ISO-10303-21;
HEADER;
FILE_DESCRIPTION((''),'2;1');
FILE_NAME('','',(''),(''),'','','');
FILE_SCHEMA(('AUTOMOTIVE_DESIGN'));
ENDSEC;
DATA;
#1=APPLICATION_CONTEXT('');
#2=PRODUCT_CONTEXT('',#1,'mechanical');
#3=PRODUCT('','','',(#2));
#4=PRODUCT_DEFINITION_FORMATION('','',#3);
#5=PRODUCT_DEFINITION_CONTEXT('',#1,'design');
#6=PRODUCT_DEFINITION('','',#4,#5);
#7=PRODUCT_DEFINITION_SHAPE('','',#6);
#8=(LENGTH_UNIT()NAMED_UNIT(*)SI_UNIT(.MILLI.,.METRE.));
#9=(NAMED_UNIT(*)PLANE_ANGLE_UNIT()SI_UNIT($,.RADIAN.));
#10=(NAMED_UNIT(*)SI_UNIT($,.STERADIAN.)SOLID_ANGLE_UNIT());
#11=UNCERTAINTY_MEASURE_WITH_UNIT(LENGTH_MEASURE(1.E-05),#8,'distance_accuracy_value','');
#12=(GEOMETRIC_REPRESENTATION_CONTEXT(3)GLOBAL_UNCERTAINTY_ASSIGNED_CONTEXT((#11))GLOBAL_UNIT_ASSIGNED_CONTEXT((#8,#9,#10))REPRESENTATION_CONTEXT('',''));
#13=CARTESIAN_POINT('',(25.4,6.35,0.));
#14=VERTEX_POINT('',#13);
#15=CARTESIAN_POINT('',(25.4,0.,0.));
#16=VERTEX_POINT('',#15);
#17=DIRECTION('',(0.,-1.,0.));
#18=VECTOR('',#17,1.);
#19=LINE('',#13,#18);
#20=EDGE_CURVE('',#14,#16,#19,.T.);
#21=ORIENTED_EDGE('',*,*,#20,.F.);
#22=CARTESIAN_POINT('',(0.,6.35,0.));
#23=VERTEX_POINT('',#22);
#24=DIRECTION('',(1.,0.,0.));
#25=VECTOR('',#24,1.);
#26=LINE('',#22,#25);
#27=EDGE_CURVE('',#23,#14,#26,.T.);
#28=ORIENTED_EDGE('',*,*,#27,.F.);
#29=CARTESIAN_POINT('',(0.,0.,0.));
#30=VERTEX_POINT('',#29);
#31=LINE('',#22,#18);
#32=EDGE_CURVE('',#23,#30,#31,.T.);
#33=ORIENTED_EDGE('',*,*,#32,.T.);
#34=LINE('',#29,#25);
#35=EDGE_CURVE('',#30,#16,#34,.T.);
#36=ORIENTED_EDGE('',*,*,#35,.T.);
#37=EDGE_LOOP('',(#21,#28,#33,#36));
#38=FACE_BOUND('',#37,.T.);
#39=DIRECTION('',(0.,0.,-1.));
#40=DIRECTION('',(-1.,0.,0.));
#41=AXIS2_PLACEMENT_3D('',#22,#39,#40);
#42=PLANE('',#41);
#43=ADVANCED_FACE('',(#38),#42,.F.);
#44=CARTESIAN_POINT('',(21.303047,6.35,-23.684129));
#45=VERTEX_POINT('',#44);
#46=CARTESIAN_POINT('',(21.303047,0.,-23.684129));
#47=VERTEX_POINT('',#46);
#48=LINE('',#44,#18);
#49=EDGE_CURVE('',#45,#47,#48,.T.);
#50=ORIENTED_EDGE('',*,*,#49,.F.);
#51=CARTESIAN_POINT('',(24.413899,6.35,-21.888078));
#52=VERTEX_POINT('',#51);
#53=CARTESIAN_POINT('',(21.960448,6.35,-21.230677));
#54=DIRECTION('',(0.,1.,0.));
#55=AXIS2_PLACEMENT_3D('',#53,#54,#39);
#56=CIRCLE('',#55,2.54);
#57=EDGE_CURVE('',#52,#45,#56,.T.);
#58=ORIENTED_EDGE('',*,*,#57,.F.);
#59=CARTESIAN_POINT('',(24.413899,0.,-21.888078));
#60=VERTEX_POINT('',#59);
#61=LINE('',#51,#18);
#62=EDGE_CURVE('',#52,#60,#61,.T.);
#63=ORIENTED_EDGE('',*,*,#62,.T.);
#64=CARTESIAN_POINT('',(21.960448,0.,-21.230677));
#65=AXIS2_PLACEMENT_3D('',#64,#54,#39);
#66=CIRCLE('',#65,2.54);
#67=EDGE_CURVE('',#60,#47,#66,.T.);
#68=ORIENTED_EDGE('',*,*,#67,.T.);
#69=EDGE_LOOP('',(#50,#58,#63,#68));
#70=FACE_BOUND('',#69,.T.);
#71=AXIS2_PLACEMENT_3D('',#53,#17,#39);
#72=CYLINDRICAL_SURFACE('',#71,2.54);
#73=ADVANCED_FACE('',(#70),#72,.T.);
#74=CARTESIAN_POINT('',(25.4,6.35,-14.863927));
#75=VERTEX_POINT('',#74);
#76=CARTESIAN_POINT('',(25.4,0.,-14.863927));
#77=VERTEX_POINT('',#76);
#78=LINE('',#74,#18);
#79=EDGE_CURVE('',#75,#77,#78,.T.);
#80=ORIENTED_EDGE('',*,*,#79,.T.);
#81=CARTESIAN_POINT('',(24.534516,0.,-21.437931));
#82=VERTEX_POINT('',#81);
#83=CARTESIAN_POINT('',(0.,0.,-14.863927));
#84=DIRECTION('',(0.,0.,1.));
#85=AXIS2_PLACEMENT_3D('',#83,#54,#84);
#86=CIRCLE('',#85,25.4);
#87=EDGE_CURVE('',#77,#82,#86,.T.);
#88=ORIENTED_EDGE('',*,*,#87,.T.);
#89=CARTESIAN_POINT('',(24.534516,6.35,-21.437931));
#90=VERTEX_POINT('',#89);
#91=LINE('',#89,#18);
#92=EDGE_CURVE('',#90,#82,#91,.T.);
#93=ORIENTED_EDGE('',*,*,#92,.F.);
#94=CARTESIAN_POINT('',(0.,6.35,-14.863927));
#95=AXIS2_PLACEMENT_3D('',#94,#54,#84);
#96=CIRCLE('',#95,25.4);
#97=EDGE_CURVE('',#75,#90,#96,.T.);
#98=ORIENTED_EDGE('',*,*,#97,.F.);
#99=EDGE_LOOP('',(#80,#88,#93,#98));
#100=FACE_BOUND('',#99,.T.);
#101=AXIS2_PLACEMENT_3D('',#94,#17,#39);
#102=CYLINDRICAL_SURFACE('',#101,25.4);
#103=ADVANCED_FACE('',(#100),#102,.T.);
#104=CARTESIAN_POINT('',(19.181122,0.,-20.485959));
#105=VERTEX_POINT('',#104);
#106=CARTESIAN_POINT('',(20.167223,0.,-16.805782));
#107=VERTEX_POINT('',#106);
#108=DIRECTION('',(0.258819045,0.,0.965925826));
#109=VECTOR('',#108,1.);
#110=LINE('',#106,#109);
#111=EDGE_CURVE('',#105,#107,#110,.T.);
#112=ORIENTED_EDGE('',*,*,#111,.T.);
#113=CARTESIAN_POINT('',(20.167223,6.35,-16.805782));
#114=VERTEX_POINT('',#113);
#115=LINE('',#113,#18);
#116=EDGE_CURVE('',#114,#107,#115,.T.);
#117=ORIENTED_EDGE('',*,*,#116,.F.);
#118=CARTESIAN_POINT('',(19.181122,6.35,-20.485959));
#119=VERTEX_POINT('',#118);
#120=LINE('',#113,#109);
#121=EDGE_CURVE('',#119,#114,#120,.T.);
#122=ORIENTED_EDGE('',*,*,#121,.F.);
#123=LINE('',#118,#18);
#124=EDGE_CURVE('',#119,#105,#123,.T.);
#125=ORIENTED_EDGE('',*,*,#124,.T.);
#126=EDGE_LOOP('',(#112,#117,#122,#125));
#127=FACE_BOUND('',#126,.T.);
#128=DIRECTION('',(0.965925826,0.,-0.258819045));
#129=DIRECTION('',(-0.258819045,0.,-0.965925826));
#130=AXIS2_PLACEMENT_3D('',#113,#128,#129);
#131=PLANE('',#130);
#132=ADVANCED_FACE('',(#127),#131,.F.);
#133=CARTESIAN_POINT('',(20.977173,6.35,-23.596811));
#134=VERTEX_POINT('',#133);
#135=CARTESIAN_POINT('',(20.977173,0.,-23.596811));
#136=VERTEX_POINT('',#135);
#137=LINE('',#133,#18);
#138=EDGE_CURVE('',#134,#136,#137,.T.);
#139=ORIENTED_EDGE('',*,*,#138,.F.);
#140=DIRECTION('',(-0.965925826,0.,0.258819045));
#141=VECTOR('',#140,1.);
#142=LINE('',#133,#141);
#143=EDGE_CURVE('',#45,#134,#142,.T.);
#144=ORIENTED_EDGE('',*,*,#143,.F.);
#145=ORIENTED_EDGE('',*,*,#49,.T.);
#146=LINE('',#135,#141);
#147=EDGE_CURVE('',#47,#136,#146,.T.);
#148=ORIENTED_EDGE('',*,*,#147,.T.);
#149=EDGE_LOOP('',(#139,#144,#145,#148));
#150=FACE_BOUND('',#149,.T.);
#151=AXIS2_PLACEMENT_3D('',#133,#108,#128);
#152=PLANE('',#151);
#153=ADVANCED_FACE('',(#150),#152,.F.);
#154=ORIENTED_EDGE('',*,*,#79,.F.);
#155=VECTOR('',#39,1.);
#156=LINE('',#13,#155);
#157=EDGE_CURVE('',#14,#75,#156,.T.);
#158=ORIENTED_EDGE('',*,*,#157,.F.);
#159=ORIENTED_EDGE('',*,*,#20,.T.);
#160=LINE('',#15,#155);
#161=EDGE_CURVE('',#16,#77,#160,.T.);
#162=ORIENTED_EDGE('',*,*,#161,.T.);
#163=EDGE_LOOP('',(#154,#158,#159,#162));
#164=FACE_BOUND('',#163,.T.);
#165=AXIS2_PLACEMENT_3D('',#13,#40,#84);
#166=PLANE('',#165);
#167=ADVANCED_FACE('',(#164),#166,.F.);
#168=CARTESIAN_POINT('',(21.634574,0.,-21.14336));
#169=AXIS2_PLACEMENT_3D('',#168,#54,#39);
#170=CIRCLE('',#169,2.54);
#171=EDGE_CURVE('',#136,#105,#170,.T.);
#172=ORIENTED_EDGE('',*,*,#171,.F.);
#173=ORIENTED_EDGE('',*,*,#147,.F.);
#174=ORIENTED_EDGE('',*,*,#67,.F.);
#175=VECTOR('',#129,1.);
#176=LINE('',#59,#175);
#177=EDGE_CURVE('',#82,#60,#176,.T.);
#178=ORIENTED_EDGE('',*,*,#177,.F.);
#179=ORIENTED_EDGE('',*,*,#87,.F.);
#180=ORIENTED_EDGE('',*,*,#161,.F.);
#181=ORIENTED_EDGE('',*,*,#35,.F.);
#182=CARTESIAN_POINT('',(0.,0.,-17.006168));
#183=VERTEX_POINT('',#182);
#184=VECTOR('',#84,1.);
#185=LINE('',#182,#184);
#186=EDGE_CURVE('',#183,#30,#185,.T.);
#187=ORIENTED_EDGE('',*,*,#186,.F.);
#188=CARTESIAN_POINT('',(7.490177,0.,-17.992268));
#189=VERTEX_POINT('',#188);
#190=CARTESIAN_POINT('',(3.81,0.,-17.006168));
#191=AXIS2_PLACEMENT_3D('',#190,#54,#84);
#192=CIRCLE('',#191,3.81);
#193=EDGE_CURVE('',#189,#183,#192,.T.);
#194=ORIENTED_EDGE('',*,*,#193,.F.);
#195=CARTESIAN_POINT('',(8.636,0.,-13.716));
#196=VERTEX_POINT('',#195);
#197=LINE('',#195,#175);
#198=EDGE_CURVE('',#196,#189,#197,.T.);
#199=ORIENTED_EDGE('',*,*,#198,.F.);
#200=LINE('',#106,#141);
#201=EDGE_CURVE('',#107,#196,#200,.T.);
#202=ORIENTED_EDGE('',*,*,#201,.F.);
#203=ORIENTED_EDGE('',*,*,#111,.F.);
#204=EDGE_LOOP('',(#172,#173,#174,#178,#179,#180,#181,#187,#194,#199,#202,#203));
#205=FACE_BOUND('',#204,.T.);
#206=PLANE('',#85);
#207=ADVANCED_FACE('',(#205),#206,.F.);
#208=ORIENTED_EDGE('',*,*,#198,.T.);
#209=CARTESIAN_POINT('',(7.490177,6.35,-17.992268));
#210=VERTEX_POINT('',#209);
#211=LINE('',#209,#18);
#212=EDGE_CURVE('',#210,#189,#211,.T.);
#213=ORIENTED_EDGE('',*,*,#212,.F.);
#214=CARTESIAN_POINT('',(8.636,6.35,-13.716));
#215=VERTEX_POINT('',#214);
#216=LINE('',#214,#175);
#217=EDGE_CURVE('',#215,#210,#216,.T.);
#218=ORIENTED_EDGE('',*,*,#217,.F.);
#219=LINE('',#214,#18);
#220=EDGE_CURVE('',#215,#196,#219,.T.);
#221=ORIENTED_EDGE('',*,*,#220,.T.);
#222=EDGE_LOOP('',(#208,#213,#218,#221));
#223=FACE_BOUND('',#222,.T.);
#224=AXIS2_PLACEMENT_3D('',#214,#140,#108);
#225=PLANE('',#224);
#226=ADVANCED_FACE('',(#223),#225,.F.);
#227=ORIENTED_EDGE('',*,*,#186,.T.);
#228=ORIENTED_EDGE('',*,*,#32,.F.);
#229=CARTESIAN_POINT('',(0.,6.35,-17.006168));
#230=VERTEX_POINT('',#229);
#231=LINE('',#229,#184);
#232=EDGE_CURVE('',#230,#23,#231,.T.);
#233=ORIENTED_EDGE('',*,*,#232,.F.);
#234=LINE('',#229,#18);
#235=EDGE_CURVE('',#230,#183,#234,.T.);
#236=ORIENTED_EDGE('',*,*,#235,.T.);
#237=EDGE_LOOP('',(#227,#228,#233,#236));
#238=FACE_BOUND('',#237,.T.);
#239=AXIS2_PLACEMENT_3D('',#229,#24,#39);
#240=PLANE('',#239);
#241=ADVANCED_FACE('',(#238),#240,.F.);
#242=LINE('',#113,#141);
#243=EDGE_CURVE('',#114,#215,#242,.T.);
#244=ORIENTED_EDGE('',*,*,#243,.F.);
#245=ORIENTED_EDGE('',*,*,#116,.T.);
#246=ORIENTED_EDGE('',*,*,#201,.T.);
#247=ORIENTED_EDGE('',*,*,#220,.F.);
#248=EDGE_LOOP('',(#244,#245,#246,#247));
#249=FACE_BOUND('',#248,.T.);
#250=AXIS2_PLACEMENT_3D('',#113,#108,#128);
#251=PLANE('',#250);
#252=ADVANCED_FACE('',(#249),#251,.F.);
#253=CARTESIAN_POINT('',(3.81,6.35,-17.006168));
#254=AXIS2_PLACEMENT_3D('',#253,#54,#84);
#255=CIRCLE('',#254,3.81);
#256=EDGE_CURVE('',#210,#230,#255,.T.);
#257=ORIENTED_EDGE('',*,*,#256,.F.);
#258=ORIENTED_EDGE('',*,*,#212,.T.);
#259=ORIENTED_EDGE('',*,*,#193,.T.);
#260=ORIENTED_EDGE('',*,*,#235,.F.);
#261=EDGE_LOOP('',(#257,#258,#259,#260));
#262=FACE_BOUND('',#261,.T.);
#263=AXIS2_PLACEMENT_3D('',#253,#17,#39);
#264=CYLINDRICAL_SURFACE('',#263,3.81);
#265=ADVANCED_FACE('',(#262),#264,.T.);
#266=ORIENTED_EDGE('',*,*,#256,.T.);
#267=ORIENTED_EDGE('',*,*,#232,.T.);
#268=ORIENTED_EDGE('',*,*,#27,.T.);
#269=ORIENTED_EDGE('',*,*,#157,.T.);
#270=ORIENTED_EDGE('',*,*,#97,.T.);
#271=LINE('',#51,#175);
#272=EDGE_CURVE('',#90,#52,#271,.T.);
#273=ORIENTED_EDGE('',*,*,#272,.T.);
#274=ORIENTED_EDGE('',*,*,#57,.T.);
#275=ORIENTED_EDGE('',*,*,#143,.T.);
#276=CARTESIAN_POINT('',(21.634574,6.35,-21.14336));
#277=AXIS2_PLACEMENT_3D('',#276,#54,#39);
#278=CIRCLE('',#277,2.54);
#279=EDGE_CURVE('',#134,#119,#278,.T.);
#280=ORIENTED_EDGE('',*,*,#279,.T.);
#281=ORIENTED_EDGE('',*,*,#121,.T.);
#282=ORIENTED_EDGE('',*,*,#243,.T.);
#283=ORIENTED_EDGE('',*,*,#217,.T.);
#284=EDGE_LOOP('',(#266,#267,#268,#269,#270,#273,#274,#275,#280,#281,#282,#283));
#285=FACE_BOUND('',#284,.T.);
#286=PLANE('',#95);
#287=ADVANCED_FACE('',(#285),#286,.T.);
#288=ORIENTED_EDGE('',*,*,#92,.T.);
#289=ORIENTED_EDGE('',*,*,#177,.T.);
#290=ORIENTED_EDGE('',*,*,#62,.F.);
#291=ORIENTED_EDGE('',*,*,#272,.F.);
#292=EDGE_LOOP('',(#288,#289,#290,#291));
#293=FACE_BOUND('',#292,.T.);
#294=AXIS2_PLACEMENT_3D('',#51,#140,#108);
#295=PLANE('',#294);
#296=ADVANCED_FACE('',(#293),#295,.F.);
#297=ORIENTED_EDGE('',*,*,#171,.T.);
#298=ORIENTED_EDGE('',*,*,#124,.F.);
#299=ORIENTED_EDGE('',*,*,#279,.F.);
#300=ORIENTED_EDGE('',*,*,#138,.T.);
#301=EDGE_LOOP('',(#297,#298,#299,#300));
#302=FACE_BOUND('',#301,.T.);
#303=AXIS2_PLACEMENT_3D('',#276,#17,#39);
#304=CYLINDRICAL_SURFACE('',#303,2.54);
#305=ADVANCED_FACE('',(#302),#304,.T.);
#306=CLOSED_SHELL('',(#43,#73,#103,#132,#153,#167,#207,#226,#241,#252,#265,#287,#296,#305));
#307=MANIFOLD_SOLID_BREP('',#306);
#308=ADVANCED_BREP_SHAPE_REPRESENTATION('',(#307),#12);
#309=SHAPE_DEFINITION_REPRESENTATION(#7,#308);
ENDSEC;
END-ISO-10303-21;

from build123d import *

# Parameters (mm, degrees)
BOSS_EXTRUDE1_DEPTH = 6.35


with BuildPart() as part:
    # Sketch1 → Boss-Extrude1 (new body)
    with BuildSketch(Plane(origin=(0, 0, 0), x_dir=(1, 0, 0), z_dir=(0, 1, 0))):
        with BuildLine():
            Line((0, 0), (25.4, 0))
            Line((25.4, 0), (25.4, 14.863926823))
            ThreePointArc((25.4, 14.863926823), (25.182699479, 18.179292106), (24.534515988, 21.437930569))
            Line((24.534515988, 21.437930569), (24.413899438, 21.88807766))
            ThreePointArc((24.413899438, 21.88807766), (23.230447839, 23.430381811), (21.303047465, 23.684128884))
            Line((21.303047465, 23.684128884), (20.977173177, 23.596811132))
            ThreePointArc((20.977173177, 23.596811132), (19.434869026, 22.413359533), (19.181121952, 20.485959159))
            Line((19.181121952, 20.485959159), (20.167222514, 16.80578176))
            Line((20.167222514, 16.80578176), (8.636, 13.716))
            Line((8.636, 13.716), (7.490177398, 17.992268167))
            ThreePointArc((7.490177398, 17.992268167), (3.312695208, 20.783572527), (0, 17.006167605))
            Line((0, 17.006167605), (0, 0))
        make_face()
    extrude(amount=BOSS_EXTRUDE1_DEPTH)


solid = part.part
